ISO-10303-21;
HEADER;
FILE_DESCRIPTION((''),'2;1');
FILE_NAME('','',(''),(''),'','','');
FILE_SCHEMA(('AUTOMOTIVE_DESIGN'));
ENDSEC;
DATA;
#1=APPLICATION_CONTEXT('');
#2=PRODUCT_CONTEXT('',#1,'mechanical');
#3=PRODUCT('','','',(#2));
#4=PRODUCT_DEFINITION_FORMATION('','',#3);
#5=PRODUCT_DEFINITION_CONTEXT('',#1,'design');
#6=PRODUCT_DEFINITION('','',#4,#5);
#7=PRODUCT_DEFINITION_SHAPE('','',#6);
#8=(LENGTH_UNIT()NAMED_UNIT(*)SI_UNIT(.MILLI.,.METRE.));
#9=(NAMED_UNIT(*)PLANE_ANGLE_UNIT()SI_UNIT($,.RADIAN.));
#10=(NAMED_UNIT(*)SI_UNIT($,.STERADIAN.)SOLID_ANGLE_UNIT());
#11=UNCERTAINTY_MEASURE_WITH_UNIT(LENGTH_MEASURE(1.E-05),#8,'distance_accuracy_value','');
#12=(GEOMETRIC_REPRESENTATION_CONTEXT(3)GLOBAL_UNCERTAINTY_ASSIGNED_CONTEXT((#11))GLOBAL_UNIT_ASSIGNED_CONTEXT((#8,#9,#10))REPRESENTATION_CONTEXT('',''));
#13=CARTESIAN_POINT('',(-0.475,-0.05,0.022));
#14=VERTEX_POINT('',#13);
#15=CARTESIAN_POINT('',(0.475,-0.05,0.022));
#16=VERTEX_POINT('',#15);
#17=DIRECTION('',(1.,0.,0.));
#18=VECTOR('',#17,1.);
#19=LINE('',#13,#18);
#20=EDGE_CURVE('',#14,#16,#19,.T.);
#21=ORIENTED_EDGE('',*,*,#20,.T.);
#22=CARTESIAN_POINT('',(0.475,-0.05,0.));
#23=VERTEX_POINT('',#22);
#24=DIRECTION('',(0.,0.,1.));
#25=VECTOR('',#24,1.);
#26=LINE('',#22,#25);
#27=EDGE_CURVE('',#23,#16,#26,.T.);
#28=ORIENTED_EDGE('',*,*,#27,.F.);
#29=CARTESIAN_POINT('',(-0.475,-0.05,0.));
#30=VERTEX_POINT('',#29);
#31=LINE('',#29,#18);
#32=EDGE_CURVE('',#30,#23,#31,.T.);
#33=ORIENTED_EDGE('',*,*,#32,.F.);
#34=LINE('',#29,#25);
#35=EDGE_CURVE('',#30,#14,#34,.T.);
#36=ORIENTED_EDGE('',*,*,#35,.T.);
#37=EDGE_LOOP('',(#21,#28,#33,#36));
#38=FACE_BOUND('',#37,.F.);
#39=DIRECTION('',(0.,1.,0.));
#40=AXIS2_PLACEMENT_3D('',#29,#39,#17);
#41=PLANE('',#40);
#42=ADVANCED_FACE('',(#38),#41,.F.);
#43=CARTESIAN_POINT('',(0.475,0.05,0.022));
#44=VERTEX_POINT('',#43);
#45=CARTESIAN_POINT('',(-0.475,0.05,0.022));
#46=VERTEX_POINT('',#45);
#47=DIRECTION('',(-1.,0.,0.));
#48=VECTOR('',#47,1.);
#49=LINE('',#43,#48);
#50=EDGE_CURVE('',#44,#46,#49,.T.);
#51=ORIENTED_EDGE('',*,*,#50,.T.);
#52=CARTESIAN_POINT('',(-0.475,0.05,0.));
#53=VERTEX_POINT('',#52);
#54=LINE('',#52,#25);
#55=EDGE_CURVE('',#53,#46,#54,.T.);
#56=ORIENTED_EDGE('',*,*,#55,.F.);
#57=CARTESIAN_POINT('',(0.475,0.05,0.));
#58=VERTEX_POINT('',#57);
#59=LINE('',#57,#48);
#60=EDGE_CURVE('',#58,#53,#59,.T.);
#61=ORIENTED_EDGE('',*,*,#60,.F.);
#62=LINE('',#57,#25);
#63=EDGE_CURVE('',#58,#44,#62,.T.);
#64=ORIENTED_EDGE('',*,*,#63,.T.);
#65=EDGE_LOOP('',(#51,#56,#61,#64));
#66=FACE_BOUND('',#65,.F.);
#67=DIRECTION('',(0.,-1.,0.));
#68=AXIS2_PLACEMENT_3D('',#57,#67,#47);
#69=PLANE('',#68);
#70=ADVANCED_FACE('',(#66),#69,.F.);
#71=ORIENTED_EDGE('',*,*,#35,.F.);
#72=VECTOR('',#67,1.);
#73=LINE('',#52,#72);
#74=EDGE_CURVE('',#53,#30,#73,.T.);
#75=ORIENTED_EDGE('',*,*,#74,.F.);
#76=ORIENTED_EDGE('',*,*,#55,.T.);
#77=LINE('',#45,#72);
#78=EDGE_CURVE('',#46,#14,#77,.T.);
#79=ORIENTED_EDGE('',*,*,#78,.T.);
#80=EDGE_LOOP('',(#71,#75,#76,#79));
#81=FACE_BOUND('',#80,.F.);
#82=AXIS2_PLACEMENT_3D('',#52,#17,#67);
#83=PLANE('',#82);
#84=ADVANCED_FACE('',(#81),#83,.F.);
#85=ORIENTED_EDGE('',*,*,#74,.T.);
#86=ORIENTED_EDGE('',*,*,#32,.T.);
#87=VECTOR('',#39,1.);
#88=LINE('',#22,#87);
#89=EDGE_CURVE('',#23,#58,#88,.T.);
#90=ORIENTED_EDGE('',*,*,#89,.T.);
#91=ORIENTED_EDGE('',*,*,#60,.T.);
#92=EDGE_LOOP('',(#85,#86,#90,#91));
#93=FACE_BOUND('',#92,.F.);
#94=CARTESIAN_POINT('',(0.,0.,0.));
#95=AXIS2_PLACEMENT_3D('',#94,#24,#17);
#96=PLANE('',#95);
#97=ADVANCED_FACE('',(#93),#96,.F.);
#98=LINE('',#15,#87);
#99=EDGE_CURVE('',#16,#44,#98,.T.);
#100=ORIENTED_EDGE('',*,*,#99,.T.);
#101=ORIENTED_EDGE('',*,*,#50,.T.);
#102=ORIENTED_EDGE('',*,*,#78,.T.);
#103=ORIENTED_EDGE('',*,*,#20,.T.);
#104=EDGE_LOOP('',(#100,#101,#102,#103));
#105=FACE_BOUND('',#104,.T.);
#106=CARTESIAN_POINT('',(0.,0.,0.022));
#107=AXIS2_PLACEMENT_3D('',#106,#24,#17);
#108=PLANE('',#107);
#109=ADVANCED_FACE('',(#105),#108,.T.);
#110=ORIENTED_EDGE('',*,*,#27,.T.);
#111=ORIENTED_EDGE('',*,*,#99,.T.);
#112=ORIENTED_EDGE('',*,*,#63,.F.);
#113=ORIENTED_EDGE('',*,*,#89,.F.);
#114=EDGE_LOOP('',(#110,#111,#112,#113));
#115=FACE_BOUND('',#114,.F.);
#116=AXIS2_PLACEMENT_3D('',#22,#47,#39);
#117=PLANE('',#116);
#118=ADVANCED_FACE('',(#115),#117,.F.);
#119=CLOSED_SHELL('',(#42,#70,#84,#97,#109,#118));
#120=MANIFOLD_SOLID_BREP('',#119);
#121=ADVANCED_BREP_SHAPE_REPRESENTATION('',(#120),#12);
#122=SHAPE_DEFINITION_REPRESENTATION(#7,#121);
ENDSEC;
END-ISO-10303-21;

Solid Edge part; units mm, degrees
sketch "Sketch1" plane through (0, 0, 0) normal (0, 0, 1) x (1, 0, 0)
  line L0 (-0.475, -0.05) -> (0.475, -0.05)
  line L1 (0.475, -0.05) -> (0.475, 0.05)
  line L2 (0.475, 0.05) -> (-0.475, 0.05)
  line L3 (-0.475, 0.05) -> (-0.475, -0.05)
  dimension "D1" = 0.95
  dimension "D2" = 0.1
extrude "Protrusion1" add sketch "Sketch1" along normal blind 0.022
